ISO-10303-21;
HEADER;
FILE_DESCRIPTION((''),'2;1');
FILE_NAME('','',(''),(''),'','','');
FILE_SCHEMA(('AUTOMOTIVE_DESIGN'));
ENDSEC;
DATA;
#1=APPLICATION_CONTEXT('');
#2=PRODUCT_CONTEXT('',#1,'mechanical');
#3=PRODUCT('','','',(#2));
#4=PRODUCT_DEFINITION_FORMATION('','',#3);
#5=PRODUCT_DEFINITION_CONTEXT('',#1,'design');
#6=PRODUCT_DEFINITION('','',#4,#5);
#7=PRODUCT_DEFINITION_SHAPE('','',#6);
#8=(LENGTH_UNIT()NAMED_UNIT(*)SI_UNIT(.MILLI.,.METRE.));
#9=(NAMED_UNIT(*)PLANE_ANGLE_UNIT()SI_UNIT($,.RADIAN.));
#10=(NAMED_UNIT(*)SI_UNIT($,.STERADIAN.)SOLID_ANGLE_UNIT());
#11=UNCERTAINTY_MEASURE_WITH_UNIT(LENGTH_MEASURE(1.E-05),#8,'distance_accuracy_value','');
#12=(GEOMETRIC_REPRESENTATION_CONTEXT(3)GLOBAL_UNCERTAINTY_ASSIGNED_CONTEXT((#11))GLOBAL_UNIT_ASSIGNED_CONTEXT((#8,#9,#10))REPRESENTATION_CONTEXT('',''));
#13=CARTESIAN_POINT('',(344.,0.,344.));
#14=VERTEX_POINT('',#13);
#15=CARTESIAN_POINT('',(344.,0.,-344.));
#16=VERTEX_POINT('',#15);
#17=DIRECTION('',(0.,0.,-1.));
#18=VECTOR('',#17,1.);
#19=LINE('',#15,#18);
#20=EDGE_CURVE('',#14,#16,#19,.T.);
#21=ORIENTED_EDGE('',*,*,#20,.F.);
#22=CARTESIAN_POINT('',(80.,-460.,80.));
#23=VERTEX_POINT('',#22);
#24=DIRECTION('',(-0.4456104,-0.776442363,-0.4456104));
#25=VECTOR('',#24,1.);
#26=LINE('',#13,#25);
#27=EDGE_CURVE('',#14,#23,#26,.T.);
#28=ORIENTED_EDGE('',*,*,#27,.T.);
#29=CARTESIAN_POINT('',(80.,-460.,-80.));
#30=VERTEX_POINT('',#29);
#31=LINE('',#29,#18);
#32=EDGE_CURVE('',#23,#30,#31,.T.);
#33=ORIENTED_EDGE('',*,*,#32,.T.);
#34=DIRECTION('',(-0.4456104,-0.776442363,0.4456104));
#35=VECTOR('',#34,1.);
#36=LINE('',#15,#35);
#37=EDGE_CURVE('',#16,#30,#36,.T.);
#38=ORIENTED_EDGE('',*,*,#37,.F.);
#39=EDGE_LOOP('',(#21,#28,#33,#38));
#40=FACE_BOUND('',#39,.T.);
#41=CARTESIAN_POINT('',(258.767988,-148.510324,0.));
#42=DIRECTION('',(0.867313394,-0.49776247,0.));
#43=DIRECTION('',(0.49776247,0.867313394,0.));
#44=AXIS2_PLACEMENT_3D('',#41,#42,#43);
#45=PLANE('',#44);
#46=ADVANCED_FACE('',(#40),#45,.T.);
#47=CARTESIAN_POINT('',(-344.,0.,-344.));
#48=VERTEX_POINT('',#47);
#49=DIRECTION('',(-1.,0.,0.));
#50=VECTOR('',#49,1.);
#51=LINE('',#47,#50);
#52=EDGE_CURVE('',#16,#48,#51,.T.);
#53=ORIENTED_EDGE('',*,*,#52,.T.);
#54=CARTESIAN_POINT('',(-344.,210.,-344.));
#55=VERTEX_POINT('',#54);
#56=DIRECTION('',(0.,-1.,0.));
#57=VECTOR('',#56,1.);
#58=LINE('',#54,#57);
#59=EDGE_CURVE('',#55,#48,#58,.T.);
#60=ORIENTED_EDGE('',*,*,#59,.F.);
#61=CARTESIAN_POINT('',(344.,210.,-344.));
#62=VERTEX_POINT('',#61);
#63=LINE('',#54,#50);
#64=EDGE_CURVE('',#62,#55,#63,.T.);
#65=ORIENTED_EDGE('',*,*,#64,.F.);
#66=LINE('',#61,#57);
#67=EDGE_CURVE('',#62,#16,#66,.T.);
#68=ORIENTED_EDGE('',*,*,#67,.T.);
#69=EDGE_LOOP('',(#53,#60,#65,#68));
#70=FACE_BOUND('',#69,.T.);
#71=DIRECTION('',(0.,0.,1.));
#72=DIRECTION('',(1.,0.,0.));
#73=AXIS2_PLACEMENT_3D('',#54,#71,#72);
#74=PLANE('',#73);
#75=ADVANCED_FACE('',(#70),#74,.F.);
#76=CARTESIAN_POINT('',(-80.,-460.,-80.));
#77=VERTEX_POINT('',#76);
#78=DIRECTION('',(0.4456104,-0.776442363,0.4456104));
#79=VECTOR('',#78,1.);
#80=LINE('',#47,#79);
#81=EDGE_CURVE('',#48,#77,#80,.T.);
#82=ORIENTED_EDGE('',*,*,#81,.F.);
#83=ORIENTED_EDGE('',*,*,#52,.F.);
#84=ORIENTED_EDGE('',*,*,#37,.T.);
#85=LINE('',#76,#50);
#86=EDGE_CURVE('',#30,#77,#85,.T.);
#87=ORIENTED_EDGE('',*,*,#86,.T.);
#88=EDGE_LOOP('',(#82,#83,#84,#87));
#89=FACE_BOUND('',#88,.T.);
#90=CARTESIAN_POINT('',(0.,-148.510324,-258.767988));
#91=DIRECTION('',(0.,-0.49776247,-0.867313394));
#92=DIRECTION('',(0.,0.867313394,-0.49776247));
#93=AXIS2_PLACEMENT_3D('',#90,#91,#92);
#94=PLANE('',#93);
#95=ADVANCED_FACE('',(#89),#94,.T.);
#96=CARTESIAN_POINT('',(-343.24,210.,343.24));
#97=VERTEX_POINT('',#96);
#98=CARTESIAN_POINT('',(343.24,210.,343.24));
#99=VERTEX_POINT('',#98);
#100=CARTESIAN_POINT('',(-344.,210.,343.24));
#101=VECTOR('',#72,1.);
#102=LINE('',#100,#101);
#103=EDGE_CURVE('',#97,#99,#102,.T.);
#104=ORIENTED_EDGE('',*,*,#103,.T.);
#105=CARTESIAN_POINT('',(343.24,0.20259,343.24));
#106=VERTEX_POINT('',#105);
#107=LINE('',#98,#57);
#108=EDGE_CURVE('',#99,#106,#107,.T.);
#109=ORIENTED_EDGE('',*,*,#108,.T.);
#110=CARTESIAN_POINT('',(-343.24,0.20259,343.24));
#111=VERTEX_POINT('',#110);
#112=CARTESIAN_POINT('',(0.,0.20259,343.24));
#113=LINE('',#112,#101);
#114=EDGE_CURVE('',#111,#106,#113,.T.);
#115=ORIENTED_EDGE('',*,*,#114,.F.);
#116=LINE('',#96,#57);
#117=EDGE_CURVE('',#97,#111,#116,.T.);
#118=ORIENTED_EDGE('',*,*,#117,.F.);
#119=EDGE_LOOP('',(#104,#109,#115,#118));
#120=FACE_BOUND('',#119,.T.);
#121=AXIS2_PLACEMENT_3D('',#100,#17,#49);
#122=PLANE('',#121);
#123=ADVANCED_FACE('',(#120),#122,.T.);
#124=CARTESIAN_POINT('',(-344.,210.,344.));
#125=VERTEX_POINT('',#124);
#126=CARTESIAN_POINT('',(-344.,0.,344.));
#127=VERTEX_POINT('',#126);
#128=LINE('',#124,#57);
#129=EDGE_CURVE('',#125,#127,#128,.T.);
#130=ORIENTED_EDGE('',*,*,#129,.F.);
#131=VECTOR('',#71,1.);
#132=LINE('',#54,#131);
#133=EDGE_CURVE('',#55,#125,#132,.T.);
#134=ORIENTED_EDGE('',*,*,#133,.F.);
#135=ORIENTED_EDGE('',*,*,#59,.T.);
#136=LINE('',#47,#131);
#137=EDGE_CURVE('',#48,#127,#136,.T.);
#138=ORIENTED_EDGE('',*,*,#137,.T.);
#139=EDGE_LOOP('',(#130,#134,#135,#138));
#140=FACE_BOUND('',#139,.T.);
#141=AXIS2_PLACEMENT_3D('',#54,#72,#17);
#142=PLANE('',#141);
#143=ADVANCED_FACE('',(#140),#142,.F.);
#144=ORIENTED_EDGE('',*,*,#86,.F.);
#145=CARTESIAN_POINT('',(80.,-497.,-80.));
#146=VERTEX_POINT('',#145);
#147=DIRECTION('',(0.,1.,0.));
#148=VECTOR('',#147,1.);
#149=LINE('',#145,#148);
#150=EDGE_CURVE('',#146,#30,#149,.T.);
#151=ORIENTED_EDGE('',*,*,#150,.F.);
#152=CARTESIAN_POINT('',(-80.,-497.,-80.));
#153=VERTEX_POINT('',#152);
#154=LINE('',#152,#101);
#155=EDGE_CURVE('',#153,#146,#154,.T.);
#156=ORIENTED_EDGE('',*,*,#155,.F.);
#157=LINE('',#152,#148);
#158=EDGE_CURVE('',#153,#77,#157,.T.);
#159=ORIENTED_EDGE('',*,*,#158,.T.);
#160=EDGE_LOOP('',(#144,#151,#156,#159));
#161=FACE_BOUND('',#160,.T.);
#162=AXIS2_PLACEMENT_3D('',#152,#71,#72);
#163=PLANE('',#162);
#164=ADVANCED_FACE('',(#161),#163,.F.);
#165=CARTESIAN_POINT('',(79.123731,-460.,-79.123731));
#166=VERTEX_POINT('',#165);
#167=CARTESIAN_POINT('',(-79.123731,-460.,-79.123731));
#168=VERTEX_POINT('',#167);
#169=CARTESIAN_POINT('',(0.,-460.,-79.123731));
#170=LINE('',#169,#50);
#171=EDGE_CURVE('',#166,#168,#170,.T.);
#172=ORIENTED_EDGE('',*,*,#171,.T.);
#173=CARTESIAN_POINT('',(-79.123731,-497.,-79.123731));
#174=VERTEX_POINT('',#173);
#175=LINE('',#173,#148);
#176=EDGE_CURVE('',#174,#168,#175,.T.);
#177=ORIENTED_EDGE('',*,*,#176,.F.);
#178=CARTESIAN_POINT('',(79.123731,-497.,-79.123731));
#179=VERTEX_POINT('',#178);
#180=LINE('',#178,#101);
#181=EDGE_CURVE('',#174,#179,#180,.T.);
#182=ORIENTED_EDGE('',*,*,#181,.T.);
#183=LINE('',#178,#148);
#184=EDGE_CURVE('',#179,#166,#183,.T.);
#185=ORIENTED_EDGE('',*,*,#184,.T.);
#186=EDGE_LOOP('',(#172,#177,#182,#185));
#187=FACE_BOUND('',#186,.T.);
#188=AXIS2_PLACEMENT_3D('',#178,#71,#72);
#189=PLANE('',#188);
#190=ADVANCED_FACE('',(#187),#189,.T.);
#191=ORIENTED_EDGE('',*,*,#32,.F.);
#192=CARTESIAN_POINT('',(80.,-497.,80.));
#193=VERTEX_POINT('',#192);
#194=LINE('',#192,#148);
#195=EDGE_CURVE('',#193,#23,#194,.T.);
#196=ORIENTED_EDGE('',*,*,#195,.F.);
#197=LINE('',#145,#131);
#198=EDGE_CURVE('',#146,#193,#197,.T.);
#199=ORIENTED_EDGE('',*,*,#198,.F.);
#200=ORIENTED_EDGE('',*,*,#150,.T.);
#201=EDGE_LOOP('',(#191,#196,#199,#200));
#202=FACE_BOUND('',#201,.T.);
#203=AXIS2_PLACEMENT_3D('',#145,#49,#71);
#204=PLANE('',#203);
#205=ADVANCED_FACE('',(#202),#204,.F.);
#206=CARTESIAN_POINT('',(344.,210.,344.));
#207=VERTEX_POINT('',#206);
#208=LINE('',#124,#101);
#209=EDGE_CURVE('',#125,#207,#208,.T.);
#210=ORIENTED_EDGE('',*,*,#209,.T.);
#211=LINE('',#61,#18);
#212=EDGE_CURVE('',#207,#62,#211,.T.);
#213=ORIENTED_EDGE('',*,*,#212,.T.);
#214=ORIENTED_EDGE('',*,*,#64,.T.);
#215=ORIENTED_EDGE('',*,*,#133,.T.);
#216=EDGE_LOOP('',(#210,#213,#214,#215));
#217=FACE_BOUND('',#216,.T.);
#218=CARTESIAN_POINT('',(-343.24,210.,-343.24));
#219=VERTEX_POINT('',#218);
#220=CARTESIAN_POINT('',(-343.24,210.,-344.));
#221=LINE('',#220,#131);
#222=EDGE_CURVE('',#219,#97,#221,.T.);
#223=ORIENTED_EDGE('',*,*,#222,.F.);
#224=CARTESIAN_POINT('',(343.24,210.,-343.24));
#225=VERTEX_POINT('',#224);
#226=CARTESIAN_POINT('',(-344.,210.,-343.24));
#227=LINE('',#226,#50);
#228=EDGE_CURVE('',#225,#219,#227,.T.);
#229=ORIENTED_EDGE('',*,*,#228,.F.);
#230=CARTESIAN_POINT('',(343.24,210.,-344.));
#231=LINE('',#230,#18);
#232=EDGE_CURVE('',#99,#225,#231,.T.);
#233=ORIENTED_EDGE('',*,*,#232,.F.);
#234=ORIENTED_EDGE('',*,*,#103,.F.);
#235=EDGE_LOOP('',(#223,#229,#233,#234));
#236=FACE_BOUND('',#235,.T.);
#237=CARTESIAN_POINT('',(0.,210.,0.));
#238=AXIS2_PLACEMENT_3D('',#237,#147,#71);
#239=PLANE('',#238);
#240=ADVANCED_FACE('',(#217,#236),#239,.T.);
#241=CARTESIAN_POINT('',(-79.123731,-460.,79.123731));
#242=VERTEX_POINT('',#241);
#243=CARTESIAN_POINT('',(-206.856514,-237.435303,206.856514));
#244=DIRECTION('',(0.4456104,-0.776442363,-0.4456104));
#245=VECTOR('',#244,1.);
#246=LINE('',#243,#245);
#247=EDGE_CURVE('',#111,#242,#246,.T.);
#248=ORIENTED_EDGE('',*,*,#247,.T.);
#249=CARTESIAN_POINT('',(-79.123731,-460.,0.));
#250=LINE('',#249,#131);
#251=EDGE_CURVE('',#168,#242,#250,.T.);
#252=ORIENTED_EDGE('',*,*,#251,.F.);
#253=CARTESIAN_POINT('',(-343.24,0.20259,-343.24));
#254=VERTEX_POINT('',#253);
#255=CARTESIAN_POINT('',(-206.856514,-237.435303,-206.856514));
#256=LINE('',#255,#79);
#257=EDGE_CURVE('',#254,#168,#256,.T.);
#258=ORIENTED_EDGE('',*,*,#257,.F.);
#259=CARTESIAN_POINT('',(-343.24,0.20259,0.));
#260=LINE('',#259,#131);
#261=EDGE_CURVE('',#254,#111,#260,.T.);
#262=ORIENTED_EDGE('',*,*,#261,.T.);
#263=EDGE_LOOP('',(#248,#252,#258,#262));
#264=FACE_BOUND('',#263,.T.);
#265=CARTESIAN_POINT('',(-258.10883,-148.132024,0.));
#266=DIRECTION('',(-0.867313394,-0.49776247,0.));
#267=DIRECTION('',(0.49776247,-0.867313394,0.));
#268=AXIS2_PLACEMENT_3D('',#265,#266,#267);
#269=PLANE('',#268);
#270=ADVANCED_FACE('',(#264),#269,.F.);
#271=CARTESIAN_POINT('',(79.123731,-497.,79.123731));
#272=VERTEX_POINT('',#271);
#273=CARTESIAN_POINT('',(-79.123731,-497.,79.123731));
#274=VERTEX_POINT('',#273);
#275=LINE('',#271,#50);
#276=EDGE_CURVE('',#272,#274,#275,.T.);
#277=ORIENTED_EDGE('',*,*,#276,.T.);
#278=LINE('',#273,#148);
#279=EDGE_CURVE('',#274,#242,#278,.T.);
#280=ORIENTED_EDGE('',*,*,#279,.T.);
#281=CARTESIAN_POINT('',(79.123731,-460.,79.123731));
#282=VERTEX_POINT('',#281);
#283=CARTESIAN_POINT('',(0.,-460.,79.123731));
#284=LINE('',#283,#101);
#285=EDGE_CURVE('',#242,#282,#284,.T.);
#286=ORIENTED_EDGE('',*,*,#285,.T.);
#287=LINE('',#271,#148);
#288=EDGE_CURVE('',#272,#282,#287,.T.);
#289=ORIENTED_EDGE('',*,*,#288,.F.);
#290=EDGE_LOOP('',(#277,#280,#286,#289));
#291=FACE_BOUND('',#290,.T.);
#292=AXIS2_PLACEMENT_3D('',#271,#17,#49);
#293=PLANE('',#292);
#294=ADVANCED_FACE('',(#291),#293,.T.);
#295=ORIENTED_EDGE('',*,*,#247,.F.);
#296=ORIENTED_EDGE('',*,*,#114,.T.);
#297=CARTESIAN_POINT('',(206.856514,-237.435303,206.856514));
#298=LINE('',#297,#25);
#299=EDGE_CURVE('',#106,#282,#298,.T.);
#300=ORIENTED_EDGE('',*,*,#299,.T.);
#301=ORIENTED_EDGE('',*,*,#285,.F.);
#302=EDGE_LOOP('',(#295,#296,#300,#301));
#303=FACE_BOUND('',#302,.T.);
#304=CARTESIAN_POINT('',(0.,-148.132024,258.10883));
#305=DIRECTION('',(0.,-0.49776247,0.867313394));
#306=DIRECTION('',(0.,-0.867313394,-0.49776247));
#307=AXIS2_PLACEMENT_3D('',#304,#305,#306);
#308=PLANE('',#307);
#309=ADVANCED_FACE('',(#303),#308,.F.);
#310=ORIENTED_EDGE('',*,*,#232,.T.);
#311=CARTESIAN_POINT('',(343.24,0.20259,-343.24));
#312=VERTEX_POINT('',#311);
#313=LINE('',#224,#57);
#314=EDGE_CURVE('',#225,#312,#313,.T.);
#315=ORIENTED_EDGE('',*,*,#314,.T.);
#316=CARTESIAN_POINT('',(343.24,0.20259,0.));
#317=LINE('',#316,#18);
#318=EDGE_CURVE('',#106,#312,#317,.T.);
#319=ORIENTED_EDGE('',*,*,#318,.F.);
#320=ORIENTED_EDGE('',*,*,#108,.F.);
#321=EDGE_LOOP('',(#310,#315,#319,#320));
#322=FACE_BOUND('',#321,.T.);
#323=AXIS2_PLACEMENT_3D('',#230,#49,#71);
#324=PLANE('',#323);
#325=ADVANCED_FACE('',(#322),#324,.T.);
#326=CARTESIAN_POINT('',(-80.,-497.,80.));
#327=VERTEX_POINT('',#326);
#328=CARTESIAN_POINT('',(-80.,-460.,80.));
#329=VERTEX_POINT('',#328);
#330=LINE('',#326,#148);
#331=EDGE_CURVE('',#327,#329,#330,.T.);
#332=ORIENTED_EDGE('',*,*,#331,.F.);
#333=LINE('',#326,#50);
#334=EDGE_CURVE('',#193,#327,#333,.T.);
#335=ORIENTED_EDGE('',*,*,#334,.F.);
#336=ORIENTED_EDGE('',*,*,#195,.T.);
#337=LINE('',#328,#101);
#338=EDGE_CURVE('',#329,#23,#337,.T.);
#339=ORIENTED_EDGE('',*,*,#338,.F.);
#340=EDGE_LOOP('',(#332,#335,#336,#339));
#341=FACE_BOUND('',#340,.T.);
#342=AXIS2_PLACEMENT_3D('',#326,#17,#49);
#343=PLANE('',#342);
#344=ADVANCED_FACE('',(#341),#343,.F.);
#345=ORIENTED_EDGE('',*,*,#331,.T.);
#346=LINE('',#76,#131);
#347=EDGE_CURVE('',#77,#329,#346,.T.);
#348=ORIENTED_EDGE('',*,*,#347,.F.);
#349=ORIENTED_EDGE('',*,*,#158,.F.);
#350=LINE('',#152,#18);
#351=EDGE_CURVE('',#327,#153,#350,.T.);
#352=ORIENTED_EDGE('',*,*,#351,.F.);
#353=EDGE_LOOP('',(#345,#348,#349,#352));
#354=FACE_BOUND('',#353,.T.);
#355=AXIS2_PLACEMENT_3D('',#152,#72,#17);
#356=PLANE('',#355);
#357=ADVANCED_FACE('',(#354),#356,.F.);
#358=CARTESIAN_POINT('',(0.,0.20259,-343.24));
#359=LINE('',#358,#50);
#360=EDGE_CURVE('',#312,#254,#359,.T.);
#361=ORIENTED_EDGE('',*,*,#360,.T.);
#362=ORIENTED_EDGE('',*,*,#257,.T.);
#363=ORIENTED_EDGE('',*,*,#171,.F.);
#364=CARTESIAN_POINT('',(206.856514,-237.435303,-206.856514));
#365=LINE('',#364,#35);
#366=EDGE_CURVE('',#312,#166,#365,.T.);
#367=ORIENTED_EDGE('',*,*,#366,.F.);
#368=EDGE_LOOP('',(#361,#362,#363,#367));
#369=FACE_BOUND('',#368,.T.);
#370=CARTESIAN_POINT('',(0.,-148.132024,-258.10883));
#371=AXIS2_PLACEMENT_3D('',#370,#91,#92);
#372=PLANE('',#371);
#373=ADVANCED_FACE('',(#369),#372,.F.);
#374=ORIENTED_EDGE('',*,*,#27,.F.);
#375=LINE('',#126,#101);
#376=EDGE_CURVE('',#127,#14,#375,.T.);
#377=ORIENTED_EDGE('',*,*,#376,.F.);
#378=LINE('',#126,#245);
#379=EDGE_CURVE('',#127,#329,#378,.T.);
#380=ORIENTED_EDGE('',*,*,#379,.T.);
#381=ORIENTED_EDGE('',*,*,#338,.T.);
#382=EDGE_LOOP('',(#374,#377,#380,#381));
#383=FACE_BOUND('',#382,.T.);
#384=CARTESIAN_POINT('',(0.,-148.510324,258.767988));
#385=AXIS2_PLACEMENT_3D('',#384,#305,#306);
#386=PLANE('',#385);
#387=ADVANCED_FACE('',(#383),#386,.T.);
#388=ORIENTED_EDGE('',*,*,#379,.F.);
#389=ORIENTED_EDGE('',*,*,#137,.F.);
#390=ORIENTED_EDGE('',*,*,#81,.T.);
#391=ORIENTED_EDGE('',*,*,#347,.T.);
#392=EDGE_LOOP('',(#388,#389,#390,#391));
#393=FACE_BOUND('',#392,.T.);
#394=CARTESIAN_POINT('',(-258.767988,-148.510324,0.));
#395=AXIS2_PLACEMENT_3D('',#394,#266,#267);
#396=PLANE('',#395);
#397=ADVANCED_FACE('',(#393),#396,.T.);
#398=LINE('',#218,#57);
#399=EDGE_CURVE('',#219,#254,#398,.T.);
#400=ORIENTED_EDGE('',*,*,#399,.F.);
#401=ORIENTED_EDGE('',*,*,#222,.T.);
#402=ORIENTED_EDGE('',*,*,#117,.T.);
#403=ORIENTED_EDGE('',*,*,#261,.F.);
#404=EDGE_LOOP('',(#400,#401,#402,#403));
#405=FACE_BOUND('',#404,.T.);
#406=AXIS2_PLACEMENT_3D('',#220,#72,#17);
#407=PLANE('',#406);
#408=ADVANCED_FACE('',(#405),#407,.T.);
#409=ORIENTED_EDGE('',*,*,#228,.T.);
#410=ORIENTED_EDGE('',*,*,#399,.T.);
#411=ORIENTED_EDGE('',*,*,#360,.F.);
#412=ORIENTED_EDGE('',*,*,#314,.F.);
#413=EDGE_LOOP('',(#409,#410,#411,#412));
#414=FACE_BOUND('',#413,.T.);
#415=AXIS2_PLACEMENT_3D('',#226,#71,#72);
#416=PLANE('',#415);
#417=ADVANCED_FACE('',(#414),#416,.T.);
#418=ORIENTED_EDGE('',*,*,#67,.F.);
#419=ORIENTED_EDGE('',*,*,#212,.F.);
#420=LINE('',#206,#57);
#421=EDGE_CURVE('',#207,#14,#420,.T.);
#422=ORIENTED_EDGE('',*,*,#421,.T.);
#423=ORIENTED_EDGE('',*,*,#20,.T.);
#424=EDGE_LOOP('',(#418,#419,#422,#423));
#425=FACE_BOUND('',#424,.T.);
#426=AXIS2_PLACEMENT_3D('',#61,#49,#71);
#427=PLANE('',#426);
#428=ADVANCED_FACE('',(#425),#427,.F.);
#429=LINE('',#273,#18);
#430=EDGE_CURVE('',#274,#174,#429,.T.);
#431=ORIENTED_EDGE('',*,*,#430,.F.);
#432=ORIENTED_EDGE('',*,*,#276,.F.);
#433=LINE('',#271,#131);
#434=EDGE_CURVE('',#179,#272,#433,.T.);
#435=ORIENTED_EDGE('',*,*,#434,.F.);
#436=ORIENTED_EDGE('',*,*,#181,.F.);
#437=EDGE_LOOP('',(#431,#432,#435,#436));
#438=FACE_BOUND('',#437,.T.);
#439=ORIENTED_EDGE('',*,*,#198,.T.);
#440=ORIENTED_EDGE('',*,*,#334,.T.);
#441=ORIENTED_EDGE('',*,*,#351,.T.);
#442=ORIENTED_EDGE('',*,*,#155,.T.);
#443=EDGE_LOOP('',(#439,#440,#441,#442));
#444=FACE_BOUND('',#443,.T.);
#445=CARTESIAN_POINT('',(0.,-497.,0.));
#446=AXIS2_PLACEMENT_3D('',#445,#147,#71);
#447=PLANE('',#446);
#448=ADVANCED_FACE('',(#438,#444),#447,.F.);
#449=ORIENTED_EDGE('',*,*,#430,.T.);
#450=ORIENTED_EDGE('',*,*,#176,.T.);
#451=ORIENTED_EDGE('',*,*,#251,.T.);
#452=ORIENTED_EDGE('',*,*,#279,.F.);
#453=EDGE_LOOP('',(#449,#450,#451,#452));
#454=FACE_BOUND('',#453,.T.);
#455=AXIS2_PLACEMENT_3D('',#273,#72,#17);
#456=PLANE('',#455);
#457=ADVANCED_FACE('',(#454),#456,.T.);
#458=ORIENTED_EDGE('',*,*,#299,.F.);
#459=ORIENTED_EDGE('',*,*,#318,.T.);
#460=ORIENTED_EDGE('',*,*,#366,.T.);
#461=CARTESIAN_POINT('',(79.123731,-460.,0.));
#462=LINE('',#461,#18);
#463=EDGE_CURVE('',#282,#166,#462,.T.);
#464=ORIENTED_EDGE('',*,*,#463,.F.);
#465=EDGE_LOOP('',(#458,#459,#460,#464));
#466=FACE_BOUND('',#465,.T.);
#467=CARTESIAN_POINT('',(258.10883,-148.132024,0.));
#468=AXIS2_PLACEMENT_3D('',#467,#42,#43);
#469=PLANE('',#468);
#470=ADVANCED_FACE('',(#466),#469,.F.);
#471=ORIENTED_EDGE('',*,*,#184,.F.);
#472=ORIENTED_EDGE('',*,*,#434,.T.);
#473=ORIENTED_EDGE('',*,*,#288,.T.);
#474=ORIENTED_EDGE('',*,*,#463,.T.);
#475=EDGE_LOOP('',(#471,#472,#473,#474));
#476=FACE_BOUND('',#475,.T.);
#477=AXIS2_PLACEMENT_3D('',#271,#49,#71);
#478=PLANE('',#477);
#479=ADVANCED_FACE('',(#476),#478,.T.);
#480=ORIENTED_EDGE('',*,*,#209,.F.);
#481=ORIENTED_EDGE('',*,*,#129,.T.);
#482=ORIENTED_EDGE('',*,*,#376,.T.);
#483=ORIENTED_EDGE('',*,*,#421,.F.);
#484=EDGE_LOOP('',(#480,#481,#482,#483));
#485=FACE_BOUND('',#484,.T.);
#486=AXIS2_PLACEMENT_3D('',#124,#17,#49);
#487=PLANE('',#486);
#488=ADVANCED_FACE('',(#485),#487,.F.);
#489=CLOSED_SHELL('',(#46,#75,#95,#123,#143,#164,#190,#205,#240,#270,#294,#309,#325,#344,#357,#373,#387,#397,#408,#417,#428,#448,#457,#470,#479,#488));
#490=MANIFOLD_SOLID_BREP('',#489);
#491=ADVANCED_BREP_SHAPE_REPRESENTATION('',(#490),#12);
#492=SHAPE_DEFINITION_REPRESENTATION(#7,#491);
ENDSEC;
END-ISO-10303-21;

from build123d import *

# Parameters (mm, degrees)
CROQUIS3_W              = 688
CROQUIS3_H              = 688
SALIENTE_EXTRUIR1_DEPTH = 210
VACIADO2_T              = -0.76
CROQUIS4_W              = 160
CROQUIS4_H              = 160
CROQUIS4_W_2            = 158.247461632
CROQUIS4_H_2            = 158.247461632
SALIENTE_EXTRUIR2_DEPTH = 37


with BuildPart() as part:
    # Croquis1 → Recubrir1 section 0
    with BuildSketch(Plane(origin=(0, 0, 0), x_dir=(1, 0, 0), z_dir=(0, 1, 0))):
        with BuildLine():
            Line((-344, 344), (344, 344))
            Line((344, 344), (344, -344))
            Line((344, -344), (-344, -344))
            Line((-344, -344), (-344, 344))
        make_face()
    # Croquis2 → Recubrir1 section 1
    with BuildSketch(Plane(origin=(0, -460, 0), x_dir=(1, 0, 0), z_dir=(0, 1, 0))):
        with BuildLine():
            Line((-80, 80), (80, 80))
            Line((80, 80), (80, -80))
            Line((80, -80), (-80, -80))
            Line((-80, -80), (-80, 80))
        make_face()
    loft()

    # Croquis3 → Saliente-Extruir1 (add)
    with BuildSketch(Plane(origin=(0, 0, 0), x_dir=(1, 0, 0), z_dir=(0, 1, 0))):
        Rectangle(CROQUIS3_W, CROQUIS3_H)
    extrude(amount=SALIENTE_EXTRUIR1_DEPTH)

    # Vaciado2
    vaciado2_openings = [part.faces().sort_by_distance(p)[0] for p in [
        (0, -460, 0),
        (0, 210, 0),
    ]]
    offset(amount=VACIADO2_T, openings=vaciado2_openings, kind=Kind.INTERSECTION)

    # Croquis4 → Saliente-Extruir2 (add)
    with BuildSketch(Plane.XZ.offset(460)):
        Rectangle(CROQUIS4_W, CROQUIS4_H)
        Rectangle(CROQUIS4_W_2, CROQUIS4_H_2, mode=Mode.SUBTRACT)
    extrude(amount=SALIENTE_EXTRUIR2_DEPTH)


solid = part.part
